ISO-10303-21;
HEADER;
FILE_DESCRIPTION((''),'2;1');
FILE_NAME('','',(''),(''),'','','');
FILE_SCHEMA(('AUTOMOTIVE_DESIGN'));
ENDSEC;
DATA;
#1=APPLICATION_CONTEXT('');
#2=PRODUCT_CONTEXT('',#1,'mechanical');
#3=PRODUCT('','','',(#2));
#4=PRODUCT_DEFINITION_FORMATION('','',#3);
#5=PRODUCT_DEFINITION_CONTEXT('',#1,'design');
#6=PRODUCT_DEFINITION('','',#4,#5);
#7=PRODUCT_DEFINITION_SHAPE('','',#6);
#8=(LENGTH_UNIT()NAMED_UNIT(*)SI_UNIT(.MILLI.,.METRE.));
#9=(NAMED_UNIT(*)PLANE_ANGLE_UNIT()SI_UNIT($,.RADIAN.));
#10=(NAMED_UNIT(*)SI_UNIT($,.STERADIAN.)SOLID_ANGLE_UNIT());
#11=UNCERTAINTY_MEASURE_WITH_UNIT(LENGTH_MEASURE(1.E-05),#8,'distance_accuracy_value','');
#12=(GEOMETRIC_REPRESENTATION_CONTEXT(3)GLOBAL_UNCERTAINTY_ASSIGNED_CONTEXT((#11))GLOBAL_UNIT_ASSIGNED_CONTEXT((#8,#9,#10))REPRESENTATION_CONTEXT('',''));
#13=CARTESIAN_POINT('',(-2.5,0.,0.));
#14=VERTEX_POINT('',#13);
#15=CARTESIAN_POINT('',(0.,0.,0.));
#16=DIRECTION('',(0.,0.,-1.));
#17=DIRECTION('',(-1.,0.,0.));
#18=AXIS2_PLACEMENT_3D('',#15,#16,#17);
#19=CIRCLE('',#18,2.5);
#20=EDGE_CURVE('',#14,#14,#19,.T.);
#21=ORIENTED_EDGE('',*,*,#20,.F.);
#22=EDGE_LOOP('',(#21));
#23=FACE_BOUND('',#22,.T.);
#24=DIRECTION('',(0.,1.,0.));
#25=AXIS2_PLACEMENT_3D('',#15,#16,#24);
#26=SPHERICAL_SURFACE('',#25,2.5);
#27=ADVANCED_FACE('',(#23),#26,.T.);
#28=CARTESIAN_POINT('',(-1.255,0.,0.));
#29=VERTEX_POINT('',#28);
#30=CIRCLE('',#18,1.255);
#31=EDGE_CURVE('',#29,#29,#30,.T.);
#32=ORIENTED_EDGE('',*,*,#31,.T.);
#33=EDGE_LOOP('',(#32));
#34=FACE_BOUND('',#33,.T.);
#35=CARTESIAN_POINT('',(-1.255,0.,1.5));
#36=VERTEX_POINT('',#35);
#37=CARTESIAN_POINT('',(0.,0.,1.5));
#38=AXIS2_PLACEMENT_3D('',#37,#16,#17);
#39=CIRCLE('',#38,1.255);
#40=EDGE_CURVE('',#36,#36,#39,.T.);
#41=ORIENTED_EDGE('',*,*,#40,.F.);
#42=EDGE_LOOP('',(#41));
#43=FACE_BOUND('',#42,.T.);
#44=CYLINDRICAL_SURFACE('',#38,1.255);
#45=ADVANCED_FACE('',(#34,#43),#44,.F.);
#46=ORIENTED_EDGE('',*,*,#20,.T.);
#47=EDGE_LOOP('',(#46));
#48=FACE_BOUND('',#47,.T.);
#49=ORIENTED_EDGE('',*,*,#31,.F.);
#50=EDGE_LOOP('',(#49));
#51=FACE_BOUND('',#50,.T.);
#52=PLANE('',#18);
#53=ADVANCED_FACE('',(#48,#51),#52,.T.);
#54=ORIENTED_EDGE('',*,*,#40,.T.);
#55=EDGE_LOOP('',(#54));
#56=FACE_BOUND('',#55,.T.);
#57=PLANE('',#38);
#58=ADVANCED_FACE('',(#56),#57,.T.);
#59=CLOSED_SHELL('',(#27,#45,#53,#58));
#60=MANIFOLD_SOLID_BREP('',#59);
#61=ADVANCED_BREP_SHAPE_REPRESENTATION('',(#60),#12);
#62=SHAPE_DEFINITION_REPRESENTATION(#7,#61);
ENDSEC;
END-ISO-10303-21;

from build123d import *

# Parameters (mm, degrees)
SKETCH2_R          = 1.255
CUT_EXTRUDE1_DEPTH = 1.5


with BuildPart() as part:
    # Sketch1 → Revolve1 (revolve)
    with BuildSketch(Plane(origin=(0, 0, 0), x_dir=(0, 0, -1), z_dir=(1, 0, 0))):
        with BuildLine():
            Line((0, 0), (0, 2.5))
            ThreePointArc((0, 2.5), (-1.767766953, 1.767766953), (-2.5, 0))
            Line((-2.5, 0), (0, 0))
        make_face()
    revolve(axis=Axis((0, 0, 0), (0, 0, 1)))

    # Sketch2 → Cut-Extrude1 (cut)
    with BuildSketch(Plane(origin=(0, 0, 0), x_dir=(-1, 0, 0), z_dir=(0, 0, -1))):
        Circle(SKETCH2_R)
    extrude(amount=-CUT_EXTRUDE1_DEPTH, mode=Mode.SUBTRACT)


solid = part.part
